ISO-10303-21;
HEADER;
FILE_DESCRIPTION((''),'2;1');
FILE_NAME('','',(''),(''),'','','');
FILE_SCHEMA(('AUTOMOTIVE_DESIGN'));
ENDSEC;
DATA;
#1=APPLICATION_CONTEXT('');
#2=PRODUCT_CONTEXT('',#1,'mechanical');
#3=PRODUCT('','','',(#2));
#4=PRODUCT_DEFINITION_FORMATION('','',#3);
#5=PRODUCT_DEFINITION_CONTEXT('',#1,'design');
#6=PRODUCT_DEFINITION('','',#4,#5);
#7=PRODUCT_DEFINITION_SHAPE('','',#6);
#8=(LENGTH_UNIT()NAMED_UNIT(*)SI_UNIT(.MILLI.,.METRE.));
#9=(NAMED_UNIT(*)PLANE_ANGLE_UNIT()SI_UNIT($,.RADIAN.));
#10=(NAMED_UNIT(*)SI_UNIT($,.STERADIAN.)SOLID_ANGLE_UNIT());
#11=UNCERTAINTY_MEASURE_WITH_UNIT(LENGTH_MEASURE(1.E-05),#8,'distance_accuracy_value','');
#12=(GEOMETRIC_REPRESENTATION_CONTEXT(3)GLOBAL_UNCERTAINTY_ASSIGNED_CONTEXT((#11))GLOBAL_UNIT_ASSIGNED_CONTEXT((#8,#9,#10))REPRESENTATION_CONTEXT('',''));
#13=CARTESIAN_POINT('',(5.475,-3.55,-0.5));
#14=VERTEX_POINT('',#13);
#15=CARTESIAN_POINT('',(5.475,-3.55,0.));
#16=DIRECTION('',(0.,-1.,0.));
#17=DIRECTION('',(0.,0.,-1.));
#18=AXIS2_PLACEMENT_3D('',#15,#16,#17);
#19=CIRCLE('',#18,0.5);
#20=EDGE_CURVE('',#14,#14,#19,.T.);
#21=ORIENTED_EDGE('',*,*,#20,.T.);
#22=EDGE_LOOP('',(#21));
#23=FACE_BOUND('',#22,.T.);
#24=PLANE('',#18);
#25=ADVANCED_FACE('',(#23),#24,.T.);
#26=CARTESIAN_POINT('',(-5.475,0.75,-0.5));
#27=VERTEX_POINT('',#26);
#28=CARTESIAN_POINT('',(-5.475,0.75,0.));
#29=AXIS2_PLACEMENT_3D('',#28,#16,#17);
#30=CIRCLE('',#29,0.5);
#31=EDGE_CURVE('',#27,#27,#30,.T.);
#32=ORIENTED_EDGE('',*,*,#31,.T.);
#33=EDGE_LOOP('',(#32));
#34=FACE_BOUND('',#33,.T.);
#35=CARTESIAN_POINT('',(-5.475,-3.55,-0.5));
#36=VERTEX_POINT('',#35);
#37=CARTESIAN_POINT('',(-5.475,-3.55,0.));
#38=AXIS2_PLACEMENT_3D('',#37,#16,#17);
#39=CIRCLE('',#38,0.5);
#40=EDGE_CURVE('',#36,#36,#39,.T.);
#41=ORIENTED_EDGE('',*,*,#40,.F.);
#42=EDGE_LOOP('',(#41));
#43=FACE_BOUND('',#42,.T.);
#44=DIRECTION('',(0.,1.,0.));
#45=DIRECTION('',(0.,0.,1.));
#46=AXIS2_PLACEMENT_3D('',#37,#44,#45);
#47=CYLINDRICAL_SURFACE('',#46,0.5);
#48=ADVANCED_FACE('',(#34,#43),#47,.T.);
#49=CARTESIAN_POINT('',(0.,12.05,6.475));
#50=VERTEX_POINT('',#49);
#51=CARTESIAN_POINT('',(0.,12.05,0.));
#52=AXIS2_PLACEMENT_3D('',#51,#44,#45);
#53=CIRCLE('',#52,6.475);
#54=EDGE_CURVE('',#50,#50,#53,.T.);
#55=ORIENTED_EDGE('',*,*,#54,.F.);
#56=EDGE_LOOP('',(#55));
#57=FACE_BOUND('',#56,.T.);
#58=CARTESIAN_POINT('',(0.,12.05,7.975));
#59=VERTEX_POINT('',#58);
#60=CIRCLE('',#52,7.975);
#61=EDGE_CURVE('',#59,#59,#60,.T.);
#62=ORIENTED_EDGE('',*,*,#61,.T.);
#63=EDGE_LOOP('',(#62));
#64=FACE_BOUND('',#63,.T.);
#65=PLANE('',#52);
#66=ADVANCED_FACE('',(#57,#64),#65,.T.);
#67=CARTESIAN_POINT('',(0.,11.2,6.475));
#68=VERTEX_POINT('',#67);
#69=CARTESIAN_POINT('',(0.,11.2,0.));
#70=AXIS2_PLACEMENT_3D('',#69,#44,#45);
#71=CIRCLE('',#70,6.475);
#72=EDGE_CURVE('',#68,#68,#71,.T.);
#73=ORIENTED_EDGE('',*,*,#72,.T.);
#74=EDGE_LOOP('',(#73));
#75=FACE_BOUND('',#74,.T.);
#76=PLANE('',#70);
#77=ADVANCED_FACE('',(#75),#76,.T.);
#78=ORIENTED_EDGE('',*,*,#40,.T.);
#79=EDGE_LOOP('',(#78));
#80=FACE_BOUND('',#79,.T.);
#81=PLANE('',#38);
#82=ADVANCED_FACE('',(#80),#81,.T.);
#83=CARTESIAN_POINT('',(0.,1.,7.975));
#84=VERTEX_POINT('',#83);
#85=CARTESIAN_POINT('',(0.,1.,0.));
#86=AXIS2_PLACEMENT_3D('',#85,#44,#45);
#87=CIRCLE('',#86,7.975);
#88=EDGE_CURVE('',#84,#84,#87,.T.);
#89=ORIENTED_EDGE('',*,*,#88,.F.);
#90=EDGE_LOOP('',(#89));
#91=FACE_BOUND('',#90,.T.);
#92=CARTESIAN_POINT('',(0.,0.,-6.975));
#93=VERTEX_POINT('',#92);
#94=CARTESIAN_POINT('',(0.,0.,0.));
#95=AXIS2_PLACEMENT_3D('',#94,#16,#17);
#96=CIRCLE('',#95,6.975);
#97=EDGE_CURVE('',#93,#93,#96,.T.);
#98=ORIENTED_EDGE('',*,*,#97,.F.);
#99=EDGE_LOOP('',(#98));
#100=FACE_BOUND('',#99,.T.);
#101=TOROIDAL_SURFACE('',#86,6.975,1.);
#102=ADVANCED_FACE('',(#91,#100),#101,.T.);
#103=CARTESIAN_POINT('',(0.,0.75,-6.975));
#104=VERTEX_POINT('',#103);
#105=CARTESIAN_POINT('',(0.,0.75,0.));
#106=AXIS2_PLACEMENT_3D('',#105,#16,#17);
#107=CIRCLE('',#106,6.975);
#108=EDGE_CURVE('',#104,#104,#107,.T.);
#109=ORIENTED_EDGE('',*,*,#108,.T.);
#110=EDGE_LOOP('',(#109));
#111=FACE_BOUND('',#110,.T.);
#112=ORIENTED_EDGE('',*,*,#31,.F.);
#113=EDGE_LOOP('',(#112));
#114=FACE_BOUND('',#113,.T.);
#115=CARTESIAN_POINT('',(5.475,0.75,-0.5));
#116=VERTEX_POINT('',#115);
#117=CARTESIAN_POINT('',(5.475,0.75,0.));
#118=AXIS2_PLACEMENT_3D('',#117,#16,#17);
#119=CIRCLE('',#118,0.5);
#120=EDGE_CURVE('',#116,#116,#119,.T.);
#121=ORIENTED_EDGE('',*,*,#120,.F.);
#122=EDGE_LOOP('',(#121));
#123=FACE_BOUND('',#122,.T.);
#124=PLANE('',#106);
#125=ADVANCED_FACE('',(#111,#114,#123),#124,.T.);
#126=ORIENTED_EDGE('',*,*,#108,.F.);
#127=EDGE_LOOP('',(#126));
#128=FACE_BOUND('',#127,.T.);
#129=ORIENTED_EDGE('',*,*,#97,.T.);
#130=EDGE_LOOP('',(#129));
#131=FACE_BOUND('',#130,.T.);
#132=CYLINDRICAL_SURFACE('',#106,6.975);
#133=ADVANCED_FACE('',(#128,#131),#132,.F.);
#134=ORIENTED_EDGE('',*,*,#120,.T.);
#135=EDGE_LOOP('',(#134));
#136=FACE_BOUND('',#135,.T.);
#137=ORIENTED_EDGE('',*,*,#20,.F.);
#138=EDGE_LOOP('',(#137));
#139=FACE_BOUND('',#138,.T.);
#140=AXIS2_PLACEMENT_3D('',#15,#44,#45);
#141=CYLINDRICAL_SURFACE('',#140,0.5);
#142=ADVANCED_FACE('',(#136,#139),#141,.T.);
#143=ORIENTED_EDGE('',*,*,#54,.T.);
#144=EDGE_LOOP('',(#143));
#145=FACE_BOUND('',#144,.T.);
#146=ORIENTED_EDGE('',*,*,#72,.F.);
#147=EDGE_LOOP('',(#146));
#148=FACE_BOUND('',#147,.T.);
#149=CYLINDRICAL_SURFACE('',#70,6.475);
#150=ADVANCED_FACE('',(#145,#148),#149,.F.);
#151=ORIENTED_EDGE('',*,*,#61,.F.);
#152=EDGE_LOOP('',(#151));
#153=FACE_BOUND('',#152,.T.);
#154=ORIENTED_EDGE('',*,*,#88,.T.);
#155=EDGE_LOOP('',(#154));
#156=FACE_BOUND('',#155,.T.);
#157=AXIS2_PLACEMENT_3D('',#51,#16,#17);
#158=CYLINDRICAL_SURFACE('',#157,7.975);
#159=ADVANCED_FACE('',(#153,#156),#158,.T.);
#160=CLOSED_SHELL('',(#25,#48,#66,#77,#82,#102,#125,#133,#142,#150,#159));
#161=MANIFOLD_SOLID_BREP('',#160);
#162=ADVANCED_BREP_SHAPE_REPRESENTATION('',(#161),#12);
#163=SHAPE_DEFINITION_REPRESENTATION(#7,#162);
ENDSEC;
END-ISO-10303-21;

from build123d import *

# Parameters (mm, degrees)
SKETCH1_R           = 7.975
BOSS_EXTRUDE1_DEPTH = 12.05
FILLET1_R           = 1
SKETCH3_R           = 6.975
CUT_EXTRUDE1_DEPTH  = 0.75
SKETCH4_R           = 0.5
BOSS_EXTRUDE2_DEPTH = 4.3
SKETCH5_R           = 6.475
CUT_EXTRUDE2_DEPTH  = 0.85


with BuildPart() as part:
    # Sketch1 → Boss-Extrude1 (new body)
    with BuildSketch(Plane(origin=(0, 0, 0), x_dir=(1, 0, 0), z_dir=(0, 1, 0))):
        Circle(SKETCH1_R)
    extrude(amount=BOSS_EXTRUDE1_DEPTH)

    # Fillet1
    fillet1_edges = [part.edges().sort_by_distance(p)[0] for p in [
        (-7.975, 0, 0),
    ]]
    fillet(fillet1_edges, radius=FILLET1_R)

    # Sketch3 → Cut-Extrude1 (cut)
    with BuildSketch(Plane.XZ):
        Circle(SKETCH3_R)
    extrude(amount=-CUT_EXTRUDE1_DEPTH, mode=Mode.SUBTRACT)

    # Sketch4 → Boss-Extrude2 (add)
    with BuildSketch(Plane.XZ.offset(-0.75)):
        with Locations((-5.475, 0)):
            Circle(SKETCH4_R)
        with Locations((5.475, 0)):
            Circle(SKETCH4_R)
    extrude(amount=BOSS_EXTRUDE2_DEPTH)

    # Sketch5 → Cut-Extrude2 (cut)
    with BuildSketch(Plane(origin=(0, 12.05, 0), x_dir=(1, 0, 0), z_dir=(0, 1, 0))):
        Circle(SKETCH5_R)
    extrude(amount=-CUT_EXTRUDE2_DEPTH, mode=Mode.SUBTRACT)


solid = part.part
